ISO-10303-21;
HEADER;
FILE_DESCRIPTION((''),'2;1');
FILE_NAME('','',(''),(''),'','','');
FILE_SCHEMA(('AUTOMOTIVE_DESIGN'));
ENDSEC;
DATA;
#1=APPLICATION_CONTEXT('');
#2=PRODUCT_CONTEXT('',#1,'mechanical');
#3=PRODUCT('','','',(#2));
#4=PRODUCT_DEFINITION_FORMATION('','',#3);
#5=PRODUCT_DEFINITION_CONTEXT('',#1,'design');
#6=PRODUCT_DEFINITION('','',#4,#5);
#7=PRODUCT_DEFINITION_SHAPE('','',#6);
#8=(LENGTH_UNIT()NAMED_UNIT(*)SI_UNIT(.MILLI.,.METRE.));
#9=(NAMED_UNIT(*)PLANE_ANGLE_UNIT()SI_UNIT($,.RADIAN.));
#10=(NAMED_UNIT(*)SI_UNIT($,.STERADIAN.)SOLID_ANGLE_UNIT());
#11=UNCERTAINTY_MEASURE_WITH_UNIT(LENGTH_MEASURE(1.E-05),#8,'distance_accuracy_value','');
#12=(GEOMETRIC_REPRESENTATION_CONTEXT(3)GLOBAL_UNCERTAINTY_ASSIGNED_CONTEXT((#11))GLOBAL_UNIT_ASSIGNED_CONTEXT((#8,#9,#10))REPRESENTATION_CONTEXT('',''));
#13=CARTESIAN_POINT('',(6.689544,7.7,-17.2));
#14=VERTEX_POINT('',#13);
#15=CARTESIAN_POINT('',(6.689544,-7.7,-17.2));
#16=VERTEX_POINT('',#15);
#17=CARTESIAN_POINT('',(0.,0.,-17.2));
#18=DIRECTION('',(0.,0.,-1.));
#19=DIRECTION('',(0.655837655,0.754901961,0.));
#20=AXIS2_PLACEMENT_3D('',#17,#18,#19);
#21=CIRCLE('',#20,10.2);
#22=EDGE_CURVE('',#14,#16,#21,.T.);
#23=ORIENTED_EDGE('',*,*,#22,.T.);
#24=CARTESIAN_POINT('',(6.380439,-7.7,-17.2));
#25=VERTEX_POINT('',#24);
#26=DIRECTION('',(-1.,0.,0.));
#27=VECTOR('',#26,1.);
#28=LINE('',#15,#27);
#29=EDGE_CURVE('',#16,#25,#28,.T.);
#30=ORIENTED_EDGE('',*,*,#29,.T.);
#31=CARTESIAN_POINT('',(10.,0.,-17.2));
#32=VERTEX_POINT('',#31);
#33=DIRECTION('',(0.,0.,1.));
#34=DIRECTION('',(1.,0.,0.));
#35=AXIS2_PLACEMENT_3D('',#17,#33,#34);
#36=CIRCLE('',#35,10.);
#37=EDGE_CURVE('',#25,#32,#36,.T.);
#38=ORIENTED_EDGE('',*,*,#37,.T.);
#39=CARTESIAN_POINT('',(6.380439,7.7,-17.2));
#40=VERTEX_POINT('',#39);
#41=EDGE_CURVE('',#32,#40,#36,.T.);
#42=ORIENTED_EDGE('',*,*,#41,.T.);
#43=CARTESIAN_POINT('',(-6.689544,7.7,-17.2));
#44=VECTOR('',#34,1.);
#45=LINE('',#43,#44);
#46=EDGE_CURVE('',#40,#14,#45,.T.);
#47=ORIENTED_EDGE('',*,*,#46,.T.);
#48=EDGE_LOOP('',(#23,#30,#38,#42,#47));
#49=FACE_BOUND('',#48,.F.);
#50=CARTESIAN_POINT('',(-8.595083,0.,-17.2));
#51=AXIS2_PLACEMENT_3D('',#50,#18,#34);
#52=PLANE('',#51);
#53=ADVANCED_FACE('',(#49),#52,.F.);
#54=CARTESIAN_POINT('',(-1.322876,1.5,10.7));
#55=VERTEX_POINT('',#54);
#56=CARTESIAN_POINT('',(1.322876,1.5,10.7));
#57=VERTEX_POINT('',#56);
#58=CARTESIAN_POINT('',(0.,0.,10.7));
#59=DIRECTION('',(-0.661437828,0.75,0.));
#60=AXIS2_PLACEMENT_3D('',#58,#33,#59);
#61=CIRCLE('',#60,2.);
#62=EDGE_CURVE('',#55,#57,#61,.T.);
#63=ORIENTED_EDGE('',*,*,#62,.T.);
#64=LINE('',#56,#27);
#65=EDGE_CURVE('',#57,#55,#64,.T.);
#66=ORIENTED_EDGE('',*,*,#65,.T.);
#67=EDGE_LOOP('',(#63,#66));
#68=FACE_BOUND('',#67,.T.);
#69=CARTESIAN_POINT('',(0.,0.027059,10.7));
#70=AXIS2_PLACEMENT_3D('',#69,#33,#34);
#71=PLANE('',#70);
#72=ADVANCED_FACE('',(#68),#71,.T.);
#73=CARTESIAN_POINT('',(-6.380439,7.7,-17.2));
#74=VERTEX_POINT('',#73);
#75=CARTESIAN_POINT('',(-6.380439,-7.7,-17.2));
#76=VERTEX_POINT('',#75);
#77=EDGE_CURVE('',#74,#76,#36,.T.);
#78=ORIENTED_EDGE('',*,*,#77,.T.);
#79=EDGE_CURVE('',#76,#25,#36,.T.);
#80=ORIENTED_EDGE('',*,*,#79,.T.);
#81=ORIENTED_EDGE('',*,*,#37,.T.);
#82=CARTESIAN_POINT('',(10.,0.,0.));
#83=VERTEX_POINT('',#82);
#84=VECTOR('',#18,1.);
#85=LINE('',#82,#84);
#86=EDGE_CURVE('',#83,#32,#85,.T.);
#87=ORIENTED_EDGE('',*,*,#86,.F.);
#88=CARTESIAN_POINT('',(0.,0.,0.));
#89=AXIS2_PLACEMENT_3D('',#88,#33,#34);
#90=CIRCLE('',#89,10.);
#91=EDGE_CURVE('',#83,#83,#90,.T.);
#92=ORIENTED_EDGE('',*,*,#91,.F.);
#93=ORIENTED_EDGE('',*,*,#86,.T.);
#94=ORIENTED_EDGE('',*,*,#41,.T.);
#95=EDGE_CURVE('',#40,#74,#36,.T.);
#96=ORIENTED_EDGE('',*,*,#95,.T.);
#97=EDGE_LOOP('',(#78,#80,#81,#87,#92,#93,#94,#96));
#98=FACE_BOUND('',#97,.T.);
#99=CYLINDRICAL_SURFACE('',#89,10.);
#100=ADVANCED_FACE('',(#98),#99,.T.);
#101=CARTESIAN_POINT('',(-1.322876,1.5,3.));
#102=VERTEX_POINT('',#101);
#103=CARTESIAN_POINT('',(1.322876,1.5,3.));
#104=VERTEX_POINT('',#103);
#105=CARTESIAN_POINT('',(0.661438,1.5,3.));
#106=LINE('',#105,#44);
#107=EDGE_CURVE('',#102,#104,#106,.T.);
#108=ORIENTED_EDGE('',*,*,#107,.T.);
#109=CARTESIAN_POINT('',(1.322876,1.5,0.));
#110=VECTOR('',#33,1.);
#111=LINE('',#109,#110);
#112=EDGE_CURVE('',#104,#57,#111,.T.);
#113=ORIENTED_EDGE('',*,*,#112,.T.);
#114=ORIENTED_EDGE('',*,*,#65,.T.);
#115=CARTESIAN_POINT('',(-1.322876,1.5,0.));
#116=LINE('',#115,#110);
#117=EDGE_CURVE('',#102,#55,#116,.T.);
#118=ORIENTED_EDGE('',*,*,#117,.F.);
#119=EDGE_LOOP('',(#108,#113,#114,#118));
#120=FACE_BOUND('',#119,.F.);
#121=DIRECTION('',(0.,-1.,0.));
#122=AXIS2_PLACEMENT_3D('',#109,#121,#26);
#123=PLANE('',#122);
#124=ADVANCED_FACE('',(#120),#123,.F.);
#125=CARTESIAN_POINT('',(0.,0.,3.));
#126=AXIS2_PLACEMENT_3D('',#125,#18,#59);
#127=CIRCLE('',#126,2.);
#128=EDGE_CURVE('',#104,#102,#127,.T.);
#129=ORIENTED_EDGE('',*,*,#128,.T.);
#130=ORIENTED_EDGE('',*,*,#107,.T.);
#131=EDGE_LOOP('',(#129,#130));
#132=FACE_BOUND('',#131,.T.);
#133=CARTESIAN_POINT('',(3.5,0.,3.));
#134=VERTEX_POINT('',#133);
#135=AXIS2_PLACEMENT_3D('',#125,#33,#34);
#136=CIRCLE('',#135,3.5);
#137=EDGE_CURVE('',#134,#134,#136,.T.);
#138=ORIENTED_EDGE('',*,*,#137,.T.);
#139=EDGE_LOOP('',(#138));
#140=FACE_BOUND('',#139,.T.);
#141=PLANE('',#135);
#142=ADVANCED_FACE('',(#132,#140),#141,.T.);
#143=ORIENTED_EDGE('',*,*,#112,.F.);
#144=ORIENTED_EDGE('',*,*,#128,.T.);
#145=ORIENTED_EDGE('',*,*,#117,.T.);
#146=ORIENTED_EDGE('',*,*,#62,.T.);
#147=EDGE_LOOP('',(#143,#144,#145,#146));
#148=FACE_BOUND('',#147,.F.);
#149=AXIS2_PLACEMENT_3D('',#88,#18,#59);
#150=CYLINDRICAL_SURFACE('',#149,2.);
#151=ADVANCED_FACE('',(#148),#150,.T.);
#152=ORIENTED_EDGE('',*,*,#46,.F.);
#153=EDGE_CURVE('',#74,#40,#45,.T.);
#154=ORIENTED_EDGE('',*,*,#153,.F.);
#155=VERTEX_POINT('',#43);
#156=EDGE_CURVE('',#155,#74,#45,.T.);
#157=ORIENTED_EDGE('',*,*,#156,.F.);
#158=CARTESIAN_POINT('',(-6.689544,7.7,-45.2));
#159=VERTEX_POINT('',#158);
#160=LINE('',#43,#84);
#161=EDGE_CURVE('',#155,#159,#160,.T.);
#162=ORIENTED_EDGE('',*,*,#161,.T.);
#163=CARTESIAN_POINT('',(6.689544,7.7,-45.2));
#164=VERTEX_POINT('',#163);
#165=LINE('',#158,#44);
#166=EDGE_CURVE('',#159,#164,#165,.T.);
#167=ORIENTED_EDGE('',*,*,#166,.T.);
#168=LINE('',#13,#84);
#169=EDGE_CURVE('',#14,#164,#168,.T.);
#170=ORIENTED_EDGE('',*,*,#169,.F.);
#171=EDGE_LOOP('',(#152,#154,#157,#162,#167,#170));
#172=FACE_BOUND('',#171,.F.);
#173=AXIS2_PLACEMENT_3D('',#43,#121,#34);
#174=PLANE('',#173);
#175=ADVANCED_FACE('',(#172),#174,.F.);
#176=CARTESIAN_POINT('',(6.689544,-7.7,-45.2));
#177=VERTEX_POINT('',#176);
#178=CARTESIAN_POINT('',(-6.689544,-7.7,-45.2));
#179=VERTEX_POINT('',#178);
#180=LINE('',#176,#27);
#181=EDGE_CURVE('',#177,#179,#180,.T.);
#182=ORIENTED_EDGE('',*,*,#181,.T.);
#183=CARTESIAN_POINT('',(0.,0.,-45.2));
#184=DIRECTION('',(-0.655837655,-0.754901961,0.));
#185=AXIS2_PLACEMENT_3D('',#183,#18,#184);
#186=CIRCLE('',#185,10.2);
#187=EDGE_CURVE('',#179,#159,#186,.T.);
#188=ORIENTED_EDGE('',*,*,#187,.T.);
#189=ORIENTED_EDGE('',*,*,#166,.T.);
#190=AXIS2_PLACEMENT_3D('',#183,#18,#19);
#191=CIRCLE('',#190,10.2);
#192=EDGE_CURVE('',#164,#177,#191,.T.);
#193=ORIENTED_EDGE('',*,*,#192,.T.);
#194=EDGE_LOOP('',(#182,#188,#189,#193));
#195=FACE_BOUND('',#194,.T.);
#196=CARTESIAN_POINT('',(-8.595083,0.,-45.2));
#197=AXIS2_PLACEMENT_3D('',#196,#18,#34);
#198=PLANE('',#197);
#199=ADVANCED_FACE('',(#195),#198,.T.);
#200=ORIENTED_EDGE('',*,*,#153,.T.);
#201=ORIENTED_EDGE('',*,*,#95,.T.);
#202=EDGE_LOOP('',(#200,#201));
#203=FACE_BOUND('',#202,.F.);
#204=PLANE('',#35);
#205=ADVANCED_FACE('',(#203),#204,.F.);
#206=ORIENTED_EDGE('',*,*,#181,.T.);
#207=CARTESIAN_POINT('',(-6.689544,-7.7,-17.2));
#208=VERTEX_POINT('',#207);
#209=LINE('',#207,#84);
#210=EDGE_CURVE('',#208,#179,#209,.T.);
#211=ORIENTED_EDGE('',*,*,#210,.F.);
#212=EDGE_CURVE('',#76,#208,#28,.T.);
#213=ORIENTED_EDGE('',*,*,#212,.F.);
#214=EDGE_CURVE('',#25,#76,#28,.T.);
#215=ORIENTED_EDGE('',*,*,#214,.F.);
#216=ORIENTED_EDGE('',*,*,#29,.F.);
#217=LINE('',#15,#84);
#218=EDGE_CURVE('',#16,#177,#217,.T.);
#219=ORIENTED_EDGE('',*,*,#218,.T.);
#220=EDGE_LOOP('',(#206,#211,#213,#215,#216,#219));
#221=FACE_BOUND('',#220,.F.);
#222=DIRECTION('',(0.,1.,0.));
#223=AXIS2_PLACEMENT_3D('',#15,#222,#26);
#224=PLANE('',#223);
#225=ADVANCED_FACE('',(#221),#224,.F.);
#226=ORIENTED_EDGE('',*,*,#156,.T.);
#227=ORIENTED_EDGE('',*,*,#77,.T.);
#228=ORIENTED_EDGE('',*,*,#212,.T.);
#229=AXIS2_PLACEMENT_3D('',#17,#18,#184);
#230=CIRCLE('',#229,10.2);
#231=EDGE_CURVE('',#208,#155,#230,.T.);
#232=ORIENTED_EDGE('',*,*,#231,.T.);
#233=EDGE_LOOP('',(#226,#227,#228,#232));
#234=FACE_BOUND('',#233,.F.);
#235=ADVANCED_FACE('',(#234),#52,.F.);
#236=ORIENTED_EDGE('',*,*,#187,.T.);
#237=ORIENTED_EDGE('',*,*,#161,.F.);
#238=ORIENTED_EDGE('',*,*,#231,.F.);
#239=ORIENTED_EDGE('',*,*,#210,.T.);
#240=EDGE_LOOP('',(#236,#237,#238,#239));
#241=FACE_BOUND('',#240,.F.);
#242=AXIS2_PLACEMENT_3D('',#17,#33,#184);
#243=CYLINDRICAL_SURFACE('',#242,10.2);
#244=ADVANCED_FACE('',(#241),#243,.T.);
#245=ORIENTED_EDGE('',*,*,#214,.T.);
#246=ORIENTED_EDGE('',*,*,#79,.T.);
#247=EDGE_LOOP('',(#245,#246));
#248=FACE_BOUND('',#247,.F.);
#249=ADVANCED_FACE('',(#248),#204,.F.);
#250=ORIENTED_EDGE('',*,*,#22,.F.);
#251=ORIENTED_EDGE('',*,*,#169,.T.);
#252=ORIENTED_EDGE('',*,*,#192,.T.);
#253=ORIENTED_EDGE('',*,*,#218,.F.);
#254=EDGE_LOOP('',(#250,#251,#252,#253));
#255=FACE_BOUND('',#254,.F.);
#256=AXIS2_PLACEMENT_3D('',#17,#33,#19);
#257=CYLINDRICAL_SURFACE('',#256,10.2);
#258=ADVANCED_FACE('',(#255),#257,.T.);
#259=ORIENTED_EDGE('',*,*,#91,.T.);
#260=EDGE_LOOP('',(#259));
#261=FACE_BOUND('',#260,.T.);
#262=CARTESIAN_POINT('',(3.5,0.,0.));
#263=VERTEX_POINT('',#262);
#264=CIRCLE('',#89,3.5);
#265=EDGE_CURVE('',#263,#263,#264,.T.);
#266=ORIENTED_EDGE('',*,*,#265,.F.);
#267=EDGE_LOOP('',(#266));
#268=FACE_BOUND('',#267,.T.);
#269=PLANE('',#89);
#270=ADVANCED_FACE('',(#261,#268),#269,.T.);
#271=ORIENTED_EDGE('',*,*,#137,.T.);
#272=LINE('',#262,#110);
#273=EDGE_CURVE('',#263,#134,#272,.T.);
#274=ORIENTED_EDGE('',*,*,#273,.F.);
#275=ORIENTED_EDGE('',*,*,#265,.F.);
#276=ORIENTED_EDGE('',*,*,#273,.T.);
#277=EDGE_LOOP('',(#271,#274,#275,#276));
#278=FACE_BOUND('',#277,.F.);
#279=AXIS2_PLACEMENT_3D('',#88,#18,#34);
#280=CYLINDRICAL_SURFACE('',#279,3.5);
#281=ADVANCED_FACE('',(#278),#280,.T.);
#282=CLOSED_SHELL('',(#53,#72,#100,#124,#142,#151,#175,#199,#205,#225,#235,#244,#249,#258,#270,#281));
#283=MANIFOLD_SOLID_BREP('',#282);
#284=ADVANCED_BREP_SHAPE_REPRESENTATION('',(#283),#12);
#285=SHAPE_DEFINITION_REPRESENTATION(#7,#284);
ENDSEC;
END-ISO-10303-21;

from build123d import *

# Parameters (mm, degrees)
F0_R     = 10
F0_R_2   = 3.5
F1_DEPTH = 17.2
F2_DEPTH = 3
F3_DEPTH = 10.7
F5_DEPTH = 28


with BuildPart() as f1:
    # F0 (on Top) → F1 (new body)
    with BuildSketch(Plane.XY):
        Circle(F0_R)
        Circle(F0_R_2, mode=Mode.SUBTRACT)
        Circle(F0_R_2)
        with BuildLine():
            ThreePointArc((1.3228756555, 1.5), (0, -2), (-1.3228756555, 1.5))
            Line((-1.3228756555, 1.5), (1.3228756555, 1.5))
        make_face(mode=Mode.SUBTRACT)
        with BuildLine():
            Line((1.3228756555, 1.5), (-1.3228756555, 1.5))
            ThreePointArc((-1.3228756555, 1.5), (0, -2), (1.3228756555, 1.5))
        make_face()
    extrude(amount=-F1_DEPTH)

    # F0 (on Top) → F2 (join)
    with BuildSketch(Plane.XY):
        Circle(F0_R_2)
        with BuildLine():
            ThreePointArc((1.3228756555, 1.5), (0, -2), (-1.3228756555, 1.5))
            Line((-1.3228756555, 1.5), (1.3228756555, 1.5))
        make_face(mode=Mode.SUBTRACT)
        with BuildLine():
            Line((1.3228756555, 1.5), (-1.3228756555, 1.5))
            ThreePointArc((-1.3228756555, 1.5), (0, -2), (1.3228756555, 1.5))
        make_face()
    extrude(amount=F2_DEPTH)

    # F0 (on Top) → F3 (join)
    with BuildSketch(Plane.XY):
        with BuildLine():
            Line((1.3228756555, 1.5), (-1.3228756555, 1.5))
            ThreePointArc((-1.3228756555, 1.5), (0, -2), (1.3228756555, 1.5))
        make_face()
    extrude(amount=F3_DEPTH)

    # F4 (on face) → F5 (join)
    with BuildSketch(Plane(origin=(0, 0, -17.2), x_dir=(1, 0, 0), z_dir=(0, 0, -1))):
        with BuildLine():
            ThreePointArc((-6.3804388564, -7.7), (-10, 0), (-6.3804388564, 7.7))
            Line((-6.3804388564, 7.7), (-6.6895440801, 7.7))
            ThreePointArc((-6.6895440801, 7.7), (-10.2, 0), (-6.6895440801, -7.7))
            Line((-6.6895440801, -7.7), (-6.3804388564, -7.7))
        make_face()
        with BuildLine():
            ThreePointArc((10, 0), (9.0499831095, 4.2541515862), (6.3804388564, 7.7))
            Line((6.3804388564, 7.7), (-6.3804388564, 7.7))
            ThreePointArc((-6.3804388564, 7.7), (-10, 0), (-6.3804388564, -7.7))
            Line((-6.3804388564, -7.7), (6.3804388564, -7.7))
            ThreePointArc((6.3804388564, -7.7), (9.0499831095, -4.2541515862), (10, 0))
        make_face()
        with BuildLine():
            ThreePointArc((6.6895440801, -7.7), (10.2, 0), (6.6895440801, 7.7))
            Line((6.6895440801, 7.7), (6.3804388564, 7.7))
            ThreePointArc((6.3804388564, 7.7), (9.0499831095, 4.2541515862), (10, 0))
            ThreePointArc((10, 0), (9.0499831095, -4.2541515862), (6.3804388564, -7.7))
            Line((6.3804388564, -7.7), (6.6895440801, -7.7))
        make_face()
    extrude(amount=F5_DEPTH)


solid = f1.part
